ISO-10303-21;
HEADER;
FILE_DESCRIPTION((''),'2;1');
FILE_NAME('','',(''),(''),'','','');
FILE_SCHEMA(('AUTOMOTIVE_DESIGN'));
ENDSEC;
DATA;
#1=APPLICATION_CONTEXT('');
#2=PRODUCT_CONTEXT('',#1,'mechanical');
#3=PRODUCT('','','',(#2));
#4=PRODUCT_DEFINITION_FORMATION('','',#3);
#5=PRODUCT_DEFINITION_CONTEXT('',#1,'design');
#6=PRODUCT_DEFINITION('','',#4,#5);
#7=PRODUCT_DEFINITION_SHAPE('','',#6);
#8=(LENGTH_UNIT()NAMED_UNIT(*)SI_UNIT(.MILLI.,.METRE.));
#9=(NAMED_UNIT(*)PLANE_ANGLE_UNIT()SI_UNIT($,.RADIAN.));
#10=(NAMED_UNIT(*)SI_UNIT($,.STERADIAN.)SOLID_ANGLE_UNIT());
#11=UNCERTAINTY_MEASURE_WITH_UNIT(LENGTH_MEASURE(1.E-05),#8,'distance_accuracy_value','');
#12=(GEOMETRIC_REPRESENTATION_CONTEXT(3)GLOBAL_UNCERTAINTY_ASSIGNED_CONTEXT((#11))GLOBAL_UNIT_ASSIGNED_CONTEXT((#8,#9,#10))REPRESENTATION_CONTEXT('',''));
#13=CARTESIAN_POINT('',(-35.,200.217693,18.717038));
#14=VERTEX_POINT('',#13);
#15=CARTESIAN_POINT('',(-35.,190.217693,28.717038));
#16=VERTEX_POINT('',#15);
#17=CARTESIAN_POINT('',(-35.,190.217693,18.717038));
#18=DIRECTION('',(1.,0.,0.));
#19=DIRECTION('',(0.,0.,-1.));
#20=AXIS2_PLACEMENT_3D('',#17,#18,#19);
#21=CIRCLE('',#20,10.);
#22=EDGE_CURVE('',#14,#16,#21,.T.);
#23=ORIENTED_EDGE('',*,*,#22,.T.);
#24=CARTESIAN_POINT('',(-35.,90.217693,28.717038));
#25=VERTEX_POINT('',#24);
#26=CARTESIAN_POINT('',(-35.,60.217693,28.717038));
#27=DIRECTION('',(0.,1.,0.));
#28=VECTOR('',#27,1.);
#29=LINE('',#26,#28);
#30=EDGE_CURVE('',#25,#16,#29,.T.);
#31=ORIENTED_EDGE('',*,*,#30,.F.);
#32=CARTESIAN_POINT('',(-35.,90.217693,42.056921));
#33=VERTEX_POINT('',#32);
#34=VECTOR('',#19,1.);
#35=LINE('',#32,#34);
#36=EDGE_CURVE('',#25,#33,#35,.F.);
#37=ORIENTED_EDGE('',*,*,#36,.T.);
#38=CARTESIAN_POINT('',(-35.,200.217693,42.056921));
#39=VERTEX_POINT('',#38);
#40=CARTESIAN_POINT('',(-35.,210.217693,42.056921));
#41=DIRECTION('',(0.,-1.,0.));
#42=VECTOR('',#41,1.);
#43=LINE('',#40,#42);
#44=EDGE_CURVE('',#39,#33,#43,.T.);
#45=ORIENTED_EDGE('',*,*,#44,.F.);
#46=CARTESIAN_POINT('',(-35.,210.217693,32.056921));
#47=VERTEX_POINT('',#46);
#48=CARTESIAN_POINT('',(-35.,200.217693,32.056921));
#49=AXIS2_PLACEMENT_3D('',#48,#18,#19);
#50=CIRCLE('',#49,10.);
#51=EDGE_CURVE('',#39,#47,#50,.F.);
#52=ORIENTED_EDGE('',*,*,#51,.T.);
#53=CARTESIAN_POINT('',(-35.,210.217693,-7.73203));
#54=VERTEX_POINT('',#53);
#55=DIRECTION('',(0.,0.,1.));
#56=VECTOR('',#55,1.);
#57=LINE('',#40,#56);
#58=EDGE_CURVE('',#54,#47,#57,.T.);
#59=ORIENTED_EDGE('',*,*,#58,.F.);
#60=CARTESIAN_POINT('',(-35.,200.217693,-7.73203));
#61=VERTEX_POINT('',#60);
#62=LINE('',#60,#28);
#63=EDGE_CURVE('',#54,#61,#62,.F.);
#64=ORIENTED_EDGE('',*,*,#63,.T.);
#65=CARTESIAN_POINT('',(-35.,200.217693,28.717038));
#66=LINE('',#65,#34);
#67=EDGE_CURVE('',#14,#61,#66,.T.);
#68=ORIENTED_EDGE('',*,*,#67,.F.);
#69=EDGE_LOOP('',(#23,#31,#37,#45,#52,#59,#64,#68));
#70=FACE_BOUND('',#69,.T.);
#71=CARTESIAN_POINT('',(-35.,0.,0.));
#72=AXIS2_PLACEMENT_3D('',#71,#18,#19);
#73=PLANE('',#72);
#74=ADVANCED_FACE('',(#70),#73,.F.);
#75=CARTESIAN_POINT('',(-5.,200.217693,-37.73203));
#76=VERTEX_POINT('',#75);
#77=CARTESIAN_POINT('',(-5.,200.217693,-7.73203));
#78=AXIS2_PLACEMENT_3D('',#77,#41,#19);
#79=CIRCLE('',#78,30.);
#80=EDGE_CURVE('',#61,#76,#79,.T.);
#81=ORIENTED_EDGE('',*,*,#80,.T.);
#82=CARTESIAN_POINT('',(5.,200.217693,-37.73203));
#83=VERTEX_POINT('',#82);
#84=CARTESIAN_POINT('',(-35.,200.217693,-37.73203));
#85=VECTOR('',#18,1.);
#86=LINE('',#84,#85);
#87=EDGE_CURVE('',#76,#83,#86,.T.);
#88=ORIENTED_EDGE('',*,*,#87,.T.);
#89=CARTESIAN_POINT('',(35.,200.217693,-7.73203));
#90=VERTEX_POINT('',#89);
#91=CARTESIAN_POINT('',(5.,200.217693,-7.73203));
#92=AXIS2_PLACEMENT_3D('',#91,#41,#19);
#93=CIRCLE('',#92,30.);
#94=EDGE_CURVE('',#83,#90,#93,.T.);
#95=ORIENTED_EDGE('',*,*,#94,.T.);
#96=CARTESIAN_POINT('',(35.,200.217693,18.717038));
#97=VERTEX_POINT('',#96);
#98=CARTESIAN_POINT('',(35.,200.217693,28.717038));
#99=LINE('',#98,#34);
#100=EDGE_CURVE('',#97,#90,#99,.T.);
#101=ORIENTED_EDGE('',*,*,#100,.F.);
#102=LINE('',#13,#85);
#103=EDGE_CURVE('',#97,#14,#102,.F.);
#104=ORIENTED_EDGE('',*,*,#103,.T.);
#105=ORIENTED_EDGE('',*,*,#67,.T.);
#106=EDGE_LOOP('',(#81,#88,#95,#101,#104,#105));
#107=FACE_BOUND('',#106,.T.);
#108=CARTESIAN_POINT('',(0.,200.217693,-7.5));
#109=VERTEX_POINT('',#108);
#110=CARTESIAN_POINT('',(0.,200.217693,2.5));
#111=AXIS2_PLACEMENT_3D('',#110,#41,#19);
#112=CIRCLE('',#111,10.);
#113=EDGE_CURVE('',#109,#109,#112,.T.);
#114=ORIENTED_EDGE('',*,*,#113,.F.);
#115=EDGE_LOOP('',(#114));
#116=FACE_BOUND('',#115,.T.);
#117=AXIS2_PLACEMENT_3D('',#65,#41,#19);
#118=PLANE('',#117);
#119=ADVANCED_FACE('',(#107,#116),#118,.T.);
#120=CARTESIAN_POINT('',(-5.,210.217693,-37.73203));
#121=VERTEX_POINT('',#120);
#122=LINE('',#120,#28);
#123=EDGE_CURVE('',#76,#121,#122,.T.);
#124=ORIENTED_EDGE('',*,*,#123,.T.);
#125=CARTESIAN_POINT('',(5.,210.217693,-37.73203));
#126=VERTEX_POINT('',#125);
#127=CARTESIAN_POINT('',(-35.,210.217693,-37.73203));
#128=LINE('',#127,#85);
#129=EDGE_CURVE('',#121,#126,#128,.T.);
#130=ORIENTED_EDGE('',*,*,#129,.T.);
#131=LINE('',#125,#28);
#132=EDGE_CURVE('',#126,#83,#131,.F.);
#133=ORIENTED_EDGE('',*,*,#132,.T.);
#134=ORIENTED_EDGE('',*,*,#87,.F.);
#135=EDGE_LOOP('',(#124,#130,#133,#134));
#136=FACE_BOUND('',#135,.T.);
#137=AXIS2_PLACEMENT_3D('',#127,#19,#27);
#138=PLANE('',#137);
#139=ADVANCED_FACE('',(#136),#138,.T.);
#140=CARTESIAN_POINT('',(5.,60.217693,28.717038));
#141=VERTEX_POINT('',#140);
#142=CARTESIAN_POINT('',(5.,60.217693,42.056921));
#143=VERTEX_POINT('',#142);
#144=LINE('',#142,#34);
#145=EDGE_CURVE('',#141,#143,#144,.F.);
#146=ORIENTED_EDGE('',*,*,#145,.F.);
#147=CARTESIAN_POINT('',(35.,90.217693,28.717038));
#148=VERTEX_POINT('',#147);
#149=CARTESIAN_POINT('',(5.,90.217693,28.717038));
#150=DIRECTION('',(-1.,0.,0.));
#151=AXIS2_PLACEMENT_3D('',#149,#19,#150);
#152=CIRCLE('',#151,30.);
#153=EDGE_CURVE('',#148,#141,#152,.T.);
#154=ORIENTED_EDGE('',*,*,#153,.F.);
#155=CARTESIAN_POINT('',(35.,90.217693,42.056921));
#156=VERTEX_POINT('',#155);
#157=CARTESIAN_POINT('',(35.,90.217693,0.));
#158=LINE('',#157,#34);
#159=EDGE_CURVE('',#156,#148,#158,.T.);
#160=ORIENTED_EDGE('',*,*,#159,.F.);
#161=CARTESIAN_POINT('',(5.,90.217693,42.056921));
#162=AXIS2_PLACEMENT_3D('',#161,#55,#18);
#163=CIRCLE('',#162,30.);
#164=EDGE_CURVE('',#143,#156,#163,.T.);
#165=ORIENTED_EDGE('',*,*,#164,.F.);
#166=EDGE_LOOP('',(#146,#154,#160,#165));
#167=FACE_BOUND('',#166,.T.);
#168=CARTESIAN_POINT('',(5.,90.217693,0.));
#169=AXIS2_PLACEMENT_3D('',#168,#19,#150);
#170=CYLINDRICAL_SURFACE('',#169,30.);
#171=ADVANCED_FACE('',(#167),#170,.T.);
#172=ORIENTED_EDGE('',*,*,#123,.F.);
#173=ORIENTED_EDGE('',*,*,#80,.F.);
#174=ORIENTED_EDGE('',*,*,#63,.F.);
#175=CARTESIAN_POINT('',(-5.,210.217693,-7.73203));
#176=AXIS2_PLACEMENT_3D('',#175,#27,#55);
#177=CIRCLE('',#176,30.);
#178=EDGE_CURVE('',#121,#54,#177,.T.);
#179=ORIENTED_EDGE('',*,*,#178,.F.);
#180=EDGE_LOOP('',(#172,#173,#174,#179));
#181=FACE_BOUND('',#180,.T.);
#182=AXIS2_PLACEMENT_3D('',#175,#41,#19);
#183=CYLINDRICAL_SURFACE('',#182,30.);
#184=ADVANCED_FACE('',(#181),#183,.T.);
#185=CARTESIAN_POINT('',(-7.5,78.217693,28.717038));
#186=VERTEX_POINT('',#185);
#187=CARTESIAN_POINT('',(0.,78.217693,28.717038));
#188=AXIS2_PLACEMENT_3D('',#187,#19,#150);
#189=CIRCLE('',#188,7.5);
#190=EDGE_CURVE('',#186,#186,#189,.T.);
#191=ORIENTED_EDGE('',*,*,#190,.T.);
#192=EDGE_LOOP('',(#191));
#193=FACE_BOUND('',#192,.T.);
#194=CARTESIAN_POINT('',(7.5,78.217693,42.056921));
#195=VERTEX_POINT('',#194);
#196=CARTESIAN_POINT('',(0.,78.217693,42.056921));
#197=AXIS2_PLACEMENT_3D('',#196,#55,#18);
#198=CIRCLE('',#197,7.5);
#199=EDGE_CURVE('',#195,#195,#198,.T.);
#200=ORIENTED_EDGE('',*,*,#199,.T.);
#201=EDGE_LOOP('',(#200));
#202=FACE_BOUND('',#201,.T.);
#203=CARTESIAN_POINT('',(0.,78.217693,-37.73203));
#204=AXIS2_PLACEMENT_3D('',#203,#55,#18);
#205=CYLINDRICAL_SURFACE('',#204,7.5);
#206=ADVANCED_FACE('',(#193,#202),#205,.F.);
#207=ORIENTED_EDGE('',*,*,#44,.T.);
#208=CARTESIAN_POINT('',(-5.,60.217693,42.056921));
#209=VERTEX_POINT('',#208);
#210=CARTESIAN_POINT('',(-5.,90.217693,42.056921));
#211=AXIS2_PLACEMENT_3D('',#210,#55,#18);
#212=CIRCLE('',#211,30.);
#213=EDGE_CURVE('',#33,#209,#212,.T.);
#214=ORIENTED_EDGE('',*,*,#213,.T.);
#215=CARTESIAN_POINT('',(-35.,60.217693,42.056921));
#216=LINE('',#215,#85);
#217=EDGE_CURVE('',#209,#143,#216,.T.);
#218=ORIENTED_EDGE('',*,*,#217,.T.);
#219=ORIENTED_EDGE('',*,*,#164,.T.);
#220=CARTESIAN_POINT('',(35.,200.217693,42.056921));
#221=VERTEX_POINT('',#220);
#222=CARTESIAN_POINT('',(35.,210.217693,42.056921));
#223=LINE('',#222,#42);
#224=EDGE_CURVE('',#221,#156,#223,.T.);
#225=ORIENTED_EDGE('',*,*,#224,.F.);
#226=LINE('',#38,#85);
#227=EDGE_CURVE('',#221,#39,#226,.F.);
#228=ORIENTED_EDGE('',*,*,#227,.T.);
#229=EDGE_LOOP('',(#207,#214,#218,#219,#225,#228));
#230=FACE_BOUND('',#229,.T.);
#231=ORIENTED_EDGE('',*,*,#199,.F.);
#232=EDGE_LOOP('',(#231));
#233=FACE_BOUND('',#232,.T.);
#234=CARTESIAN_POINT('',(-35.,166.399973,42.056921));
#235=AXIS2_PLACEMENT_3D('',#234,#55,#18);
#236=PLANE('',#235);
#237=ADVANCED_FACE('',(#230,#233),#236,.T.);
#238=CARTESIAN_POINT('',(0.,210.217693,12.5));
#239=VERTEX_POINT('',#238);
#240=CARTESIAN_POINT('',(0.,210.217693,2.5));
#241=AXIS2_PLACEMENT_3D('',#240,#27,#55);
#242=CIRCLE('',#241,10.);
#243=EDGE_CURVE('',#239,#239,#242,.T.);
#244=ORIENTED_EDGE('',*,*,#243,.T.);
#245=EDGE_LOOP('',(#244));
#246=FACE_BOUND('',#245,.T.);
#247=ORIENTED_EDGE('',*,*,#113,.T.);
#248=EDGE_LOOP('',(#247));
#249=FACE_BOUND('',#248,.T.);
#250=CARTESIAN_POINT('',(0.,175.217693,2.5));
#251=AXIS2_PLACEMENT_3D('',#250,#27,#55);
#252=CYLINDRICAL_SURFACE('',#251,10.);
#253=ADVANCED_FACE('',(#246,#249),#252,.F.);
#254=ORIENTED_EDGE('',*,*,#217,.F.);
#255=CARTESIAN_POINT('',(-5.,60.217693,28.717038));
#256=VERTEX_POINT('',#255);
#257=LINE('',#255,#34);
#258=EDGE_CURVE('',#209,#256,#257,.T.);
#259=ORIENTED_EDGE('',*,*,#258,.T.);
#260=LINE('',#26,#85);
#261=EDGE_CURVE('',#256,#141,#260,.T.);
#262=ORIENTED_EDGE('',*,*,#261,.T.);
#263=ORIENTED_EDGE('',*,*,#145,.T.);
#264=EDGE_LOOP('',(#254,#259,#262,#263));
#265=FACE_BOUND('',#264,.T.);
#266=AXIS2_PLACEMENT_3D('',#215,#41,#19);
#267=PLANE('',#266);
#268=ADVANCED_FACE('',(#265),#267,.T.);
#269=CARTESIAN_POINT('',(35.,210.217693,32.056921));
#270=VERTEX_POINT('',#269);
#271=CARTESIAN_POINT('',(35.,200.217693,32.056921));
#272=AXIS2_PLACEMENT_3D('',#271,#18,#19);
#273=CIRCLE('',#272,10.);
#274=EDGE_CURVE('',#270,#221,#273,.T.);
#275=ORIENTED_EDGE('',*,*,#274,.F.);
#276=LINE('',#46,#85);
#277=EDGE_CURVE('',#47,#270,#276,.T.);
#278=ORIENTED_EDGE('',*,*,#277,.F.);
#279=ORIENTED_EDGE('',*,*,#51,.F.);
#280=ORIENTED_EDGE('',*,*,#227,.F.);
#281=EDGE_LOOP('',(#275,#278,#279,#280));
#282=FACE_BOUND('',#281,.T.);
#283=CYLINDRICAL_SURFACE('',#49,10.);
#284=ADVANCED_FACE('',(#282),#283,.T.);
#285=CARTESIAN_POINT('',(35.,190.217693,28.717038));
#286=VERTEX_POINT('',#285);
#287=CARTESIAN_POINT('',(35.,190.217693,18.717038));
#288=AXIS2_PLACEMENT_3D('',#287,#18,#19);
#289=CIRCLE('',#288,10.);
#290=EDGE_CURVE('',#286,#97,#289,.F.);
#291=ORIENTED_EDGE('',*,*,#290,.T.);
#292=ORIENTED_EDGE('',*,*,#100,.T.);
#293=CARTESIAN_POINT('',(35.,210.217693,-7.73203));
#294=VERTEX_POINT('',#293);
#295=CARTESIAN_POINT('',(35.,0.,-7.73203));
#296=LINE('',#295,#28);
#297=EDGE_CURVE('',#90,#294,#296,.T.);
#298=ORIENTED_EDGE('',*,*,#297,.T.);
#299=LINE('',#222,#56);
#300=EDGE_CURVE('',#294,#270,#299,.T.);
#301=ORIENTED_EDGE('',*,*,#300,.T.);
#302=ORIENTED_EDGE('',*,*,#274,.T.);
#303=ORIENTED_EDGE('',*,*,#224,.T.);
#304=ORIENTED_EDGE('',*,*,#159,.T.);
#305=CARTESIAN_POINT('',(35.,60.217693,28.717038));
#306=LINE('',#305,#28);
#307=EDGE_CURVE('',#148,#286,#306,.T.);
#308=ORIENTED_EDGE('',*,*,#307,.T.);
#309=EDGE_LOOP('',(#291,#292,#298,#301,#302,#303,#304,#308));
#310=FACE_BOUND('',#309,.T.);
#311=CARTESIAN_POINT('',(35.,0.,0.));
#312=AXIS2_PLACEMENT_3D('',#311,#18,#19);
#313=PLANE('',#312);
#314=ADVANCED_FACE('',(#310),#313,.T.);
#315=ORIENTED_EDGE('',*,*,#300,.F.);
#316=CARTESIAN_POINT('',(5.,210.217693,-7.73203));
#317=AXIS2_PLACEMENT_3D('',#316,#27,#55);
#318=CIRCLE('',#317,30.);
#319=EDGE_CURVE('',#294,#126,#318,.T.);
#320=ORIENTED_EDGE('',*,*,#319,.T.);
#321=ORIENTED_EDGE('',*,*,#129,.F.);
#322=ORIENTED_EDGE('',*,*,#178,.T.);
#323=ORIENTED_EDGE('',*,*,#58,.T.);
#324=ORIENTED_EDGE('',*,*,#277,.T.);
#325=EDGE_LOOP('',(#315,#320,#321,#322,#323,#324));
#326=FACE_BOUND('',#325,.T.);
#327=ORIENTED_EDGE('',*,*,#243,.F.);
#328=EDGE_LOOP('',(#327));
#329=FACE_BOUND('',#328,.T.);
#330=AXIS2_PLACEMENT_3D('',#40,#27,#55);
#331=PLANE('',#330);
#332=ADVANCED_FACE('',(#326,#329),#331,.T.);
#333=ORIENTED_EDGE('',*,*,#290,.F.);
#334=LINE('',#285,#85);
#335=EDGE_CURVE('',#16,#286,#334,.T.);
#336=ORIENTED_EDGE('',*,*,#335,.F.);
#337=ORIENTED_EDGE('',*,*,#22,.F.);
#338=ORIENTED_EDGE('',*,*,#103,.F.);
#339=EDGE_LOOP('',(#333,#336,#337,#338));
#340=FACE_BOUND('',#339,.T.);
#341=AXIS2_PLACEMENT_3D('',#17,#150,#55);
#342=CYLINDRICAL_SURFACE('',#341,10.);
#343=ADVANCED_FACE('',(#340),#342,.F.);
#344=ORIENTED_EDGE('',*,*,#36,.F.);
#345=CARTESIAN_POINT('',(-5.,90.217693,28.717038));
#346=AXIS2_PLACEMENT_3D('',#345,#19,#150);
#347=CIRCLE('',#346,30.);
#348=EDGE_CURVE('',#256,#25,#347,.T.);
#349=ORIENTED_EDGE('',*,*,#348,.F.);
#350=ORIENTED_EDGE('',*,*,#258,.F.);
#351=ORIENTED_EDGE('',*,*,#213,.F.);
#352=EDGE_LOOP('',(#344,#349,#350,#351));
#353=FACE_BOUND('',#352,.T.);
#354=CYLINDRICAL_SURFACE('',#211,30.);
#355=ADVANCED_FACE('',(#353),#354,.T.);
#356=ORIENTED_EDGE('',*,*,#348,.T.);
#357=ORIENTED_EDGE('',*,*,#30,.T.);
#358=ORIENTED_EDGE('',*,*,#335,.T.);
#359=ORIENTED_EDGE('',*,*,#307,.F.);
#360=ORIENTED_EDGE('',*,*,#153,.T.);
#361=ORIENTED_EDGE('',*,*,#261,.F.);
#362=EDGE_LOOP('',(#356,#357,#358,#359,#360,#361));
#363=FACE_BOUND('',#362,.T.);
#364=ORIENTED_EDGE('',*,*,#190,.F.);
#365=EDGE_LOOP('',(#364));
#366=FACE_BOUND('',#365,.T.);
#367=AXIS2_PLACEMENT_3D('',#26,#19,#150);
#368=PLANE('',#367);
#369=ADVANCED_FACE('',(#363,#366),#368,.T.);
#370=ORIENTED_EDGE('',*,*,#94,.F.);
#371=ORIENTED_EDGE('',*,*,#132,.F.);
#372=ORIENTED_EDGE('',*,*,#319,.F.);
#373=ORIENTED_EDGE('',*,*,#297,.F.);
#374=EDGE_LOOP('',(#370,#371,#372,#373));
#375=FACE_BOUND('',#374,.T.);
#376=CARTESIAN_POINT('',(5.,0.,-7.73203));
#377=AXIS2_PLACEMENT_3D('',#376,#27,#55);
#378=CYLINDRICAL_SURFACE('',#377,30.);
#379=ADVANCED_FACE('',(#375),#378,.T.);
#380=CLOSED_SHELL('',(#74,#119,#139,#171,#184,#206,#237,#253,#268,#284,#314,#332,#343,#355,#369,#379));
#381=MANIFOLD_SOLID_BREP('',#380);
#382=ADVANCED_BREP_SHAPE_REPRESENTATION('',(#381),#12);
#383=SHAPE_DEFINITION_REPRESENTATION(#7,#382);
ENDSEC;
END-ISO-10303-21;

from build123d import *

# Parameters (mm, degrees)
BOSS_EXTRUDE1_DEPTH      = 35
BOSS_EXTRUDE1_DEPTH_BACK = 35
SKETCH2_R                = 10
CUT_EXTRUDE1_DEPTH       = 35
SKETCH3_R                = 7.5
CUT_EXTRUDE2_DEPTH       = 80.78895104
FILLET1_R                = 30
FILLET2_R                = 10


with BuildPart() as part:
    # Sketch1 → Boss-Extrude1 (new body, two sides)
    with BuildSketch(Plane(origin=(0, 0, 0), x_dir=(0, 0, -1), z_dir=(1, 0, 0))) as boss_extrude1_sk:
        Polygon((-42.056921018, 166.399972685), (-42.056921018, 60.21769331), (-28.717037647, 60.21769331), (-28.717037647, 200.21769331), (37.732030022, 200.21769331), (37.732030022, 210.21769331), (-42.056921018, 210.21769331), align=None)
    extrude(amount=BOSS_EXTRUDE1_DEPTH)
    extrude(boss_extrude1_sk.sketch, amount=-BOSS_EXTRUDE1_DEPTH_BACK)

    # Sketch2 → Cut-Extrude1 (cut)
    with BuildSketch(Plane(origin=(0, 210.21769331, 0), x_dir=(1, 0, 0), z_dir=(0, 1, 0))):
        with Locations((0, -2.5)):
            Circle(SKETCH2_R)
    extrude(amount=-CUT_EXTRUDE1_DEPTH, mode=Mode.SUBTRACT)

    # Sketch3 → Cut-Extrude2 (cut, through all)
    with BuildSketch(Plane.XY.offset(42.056921018)):
        with Locations((0, 78.21769331)):
            Circle(SKETCH3_R)
    extrude(amount=-CUT_EXTRUDE2_DEPTH, mode=Mode.SUBTRACT)

    # Fillet1
    fillet1_edges = [part.edges().sort_by_distance(p)[0] for p in [
        (-35, 60.21769331, 35.386979332),
        (35, 60.21769331, 35.386979332),
        (35, 205.21769331, -37.732030022),
        (-35, 205.21769331, -37.732030022),
    ]]
    fillet(fillet1_edges, radius=FILLET1_R)

    # Fillet2
    fillet2_edges = [part.edges().sort_by_distance(p)[0] for p in [
        (0, 210.21769331, 42.056921018),
        (0, 200.21769331, 28.717037647),
    ]]
    fillet(fillet2_edges, radius=FILLET2_R)


solid = part.part
